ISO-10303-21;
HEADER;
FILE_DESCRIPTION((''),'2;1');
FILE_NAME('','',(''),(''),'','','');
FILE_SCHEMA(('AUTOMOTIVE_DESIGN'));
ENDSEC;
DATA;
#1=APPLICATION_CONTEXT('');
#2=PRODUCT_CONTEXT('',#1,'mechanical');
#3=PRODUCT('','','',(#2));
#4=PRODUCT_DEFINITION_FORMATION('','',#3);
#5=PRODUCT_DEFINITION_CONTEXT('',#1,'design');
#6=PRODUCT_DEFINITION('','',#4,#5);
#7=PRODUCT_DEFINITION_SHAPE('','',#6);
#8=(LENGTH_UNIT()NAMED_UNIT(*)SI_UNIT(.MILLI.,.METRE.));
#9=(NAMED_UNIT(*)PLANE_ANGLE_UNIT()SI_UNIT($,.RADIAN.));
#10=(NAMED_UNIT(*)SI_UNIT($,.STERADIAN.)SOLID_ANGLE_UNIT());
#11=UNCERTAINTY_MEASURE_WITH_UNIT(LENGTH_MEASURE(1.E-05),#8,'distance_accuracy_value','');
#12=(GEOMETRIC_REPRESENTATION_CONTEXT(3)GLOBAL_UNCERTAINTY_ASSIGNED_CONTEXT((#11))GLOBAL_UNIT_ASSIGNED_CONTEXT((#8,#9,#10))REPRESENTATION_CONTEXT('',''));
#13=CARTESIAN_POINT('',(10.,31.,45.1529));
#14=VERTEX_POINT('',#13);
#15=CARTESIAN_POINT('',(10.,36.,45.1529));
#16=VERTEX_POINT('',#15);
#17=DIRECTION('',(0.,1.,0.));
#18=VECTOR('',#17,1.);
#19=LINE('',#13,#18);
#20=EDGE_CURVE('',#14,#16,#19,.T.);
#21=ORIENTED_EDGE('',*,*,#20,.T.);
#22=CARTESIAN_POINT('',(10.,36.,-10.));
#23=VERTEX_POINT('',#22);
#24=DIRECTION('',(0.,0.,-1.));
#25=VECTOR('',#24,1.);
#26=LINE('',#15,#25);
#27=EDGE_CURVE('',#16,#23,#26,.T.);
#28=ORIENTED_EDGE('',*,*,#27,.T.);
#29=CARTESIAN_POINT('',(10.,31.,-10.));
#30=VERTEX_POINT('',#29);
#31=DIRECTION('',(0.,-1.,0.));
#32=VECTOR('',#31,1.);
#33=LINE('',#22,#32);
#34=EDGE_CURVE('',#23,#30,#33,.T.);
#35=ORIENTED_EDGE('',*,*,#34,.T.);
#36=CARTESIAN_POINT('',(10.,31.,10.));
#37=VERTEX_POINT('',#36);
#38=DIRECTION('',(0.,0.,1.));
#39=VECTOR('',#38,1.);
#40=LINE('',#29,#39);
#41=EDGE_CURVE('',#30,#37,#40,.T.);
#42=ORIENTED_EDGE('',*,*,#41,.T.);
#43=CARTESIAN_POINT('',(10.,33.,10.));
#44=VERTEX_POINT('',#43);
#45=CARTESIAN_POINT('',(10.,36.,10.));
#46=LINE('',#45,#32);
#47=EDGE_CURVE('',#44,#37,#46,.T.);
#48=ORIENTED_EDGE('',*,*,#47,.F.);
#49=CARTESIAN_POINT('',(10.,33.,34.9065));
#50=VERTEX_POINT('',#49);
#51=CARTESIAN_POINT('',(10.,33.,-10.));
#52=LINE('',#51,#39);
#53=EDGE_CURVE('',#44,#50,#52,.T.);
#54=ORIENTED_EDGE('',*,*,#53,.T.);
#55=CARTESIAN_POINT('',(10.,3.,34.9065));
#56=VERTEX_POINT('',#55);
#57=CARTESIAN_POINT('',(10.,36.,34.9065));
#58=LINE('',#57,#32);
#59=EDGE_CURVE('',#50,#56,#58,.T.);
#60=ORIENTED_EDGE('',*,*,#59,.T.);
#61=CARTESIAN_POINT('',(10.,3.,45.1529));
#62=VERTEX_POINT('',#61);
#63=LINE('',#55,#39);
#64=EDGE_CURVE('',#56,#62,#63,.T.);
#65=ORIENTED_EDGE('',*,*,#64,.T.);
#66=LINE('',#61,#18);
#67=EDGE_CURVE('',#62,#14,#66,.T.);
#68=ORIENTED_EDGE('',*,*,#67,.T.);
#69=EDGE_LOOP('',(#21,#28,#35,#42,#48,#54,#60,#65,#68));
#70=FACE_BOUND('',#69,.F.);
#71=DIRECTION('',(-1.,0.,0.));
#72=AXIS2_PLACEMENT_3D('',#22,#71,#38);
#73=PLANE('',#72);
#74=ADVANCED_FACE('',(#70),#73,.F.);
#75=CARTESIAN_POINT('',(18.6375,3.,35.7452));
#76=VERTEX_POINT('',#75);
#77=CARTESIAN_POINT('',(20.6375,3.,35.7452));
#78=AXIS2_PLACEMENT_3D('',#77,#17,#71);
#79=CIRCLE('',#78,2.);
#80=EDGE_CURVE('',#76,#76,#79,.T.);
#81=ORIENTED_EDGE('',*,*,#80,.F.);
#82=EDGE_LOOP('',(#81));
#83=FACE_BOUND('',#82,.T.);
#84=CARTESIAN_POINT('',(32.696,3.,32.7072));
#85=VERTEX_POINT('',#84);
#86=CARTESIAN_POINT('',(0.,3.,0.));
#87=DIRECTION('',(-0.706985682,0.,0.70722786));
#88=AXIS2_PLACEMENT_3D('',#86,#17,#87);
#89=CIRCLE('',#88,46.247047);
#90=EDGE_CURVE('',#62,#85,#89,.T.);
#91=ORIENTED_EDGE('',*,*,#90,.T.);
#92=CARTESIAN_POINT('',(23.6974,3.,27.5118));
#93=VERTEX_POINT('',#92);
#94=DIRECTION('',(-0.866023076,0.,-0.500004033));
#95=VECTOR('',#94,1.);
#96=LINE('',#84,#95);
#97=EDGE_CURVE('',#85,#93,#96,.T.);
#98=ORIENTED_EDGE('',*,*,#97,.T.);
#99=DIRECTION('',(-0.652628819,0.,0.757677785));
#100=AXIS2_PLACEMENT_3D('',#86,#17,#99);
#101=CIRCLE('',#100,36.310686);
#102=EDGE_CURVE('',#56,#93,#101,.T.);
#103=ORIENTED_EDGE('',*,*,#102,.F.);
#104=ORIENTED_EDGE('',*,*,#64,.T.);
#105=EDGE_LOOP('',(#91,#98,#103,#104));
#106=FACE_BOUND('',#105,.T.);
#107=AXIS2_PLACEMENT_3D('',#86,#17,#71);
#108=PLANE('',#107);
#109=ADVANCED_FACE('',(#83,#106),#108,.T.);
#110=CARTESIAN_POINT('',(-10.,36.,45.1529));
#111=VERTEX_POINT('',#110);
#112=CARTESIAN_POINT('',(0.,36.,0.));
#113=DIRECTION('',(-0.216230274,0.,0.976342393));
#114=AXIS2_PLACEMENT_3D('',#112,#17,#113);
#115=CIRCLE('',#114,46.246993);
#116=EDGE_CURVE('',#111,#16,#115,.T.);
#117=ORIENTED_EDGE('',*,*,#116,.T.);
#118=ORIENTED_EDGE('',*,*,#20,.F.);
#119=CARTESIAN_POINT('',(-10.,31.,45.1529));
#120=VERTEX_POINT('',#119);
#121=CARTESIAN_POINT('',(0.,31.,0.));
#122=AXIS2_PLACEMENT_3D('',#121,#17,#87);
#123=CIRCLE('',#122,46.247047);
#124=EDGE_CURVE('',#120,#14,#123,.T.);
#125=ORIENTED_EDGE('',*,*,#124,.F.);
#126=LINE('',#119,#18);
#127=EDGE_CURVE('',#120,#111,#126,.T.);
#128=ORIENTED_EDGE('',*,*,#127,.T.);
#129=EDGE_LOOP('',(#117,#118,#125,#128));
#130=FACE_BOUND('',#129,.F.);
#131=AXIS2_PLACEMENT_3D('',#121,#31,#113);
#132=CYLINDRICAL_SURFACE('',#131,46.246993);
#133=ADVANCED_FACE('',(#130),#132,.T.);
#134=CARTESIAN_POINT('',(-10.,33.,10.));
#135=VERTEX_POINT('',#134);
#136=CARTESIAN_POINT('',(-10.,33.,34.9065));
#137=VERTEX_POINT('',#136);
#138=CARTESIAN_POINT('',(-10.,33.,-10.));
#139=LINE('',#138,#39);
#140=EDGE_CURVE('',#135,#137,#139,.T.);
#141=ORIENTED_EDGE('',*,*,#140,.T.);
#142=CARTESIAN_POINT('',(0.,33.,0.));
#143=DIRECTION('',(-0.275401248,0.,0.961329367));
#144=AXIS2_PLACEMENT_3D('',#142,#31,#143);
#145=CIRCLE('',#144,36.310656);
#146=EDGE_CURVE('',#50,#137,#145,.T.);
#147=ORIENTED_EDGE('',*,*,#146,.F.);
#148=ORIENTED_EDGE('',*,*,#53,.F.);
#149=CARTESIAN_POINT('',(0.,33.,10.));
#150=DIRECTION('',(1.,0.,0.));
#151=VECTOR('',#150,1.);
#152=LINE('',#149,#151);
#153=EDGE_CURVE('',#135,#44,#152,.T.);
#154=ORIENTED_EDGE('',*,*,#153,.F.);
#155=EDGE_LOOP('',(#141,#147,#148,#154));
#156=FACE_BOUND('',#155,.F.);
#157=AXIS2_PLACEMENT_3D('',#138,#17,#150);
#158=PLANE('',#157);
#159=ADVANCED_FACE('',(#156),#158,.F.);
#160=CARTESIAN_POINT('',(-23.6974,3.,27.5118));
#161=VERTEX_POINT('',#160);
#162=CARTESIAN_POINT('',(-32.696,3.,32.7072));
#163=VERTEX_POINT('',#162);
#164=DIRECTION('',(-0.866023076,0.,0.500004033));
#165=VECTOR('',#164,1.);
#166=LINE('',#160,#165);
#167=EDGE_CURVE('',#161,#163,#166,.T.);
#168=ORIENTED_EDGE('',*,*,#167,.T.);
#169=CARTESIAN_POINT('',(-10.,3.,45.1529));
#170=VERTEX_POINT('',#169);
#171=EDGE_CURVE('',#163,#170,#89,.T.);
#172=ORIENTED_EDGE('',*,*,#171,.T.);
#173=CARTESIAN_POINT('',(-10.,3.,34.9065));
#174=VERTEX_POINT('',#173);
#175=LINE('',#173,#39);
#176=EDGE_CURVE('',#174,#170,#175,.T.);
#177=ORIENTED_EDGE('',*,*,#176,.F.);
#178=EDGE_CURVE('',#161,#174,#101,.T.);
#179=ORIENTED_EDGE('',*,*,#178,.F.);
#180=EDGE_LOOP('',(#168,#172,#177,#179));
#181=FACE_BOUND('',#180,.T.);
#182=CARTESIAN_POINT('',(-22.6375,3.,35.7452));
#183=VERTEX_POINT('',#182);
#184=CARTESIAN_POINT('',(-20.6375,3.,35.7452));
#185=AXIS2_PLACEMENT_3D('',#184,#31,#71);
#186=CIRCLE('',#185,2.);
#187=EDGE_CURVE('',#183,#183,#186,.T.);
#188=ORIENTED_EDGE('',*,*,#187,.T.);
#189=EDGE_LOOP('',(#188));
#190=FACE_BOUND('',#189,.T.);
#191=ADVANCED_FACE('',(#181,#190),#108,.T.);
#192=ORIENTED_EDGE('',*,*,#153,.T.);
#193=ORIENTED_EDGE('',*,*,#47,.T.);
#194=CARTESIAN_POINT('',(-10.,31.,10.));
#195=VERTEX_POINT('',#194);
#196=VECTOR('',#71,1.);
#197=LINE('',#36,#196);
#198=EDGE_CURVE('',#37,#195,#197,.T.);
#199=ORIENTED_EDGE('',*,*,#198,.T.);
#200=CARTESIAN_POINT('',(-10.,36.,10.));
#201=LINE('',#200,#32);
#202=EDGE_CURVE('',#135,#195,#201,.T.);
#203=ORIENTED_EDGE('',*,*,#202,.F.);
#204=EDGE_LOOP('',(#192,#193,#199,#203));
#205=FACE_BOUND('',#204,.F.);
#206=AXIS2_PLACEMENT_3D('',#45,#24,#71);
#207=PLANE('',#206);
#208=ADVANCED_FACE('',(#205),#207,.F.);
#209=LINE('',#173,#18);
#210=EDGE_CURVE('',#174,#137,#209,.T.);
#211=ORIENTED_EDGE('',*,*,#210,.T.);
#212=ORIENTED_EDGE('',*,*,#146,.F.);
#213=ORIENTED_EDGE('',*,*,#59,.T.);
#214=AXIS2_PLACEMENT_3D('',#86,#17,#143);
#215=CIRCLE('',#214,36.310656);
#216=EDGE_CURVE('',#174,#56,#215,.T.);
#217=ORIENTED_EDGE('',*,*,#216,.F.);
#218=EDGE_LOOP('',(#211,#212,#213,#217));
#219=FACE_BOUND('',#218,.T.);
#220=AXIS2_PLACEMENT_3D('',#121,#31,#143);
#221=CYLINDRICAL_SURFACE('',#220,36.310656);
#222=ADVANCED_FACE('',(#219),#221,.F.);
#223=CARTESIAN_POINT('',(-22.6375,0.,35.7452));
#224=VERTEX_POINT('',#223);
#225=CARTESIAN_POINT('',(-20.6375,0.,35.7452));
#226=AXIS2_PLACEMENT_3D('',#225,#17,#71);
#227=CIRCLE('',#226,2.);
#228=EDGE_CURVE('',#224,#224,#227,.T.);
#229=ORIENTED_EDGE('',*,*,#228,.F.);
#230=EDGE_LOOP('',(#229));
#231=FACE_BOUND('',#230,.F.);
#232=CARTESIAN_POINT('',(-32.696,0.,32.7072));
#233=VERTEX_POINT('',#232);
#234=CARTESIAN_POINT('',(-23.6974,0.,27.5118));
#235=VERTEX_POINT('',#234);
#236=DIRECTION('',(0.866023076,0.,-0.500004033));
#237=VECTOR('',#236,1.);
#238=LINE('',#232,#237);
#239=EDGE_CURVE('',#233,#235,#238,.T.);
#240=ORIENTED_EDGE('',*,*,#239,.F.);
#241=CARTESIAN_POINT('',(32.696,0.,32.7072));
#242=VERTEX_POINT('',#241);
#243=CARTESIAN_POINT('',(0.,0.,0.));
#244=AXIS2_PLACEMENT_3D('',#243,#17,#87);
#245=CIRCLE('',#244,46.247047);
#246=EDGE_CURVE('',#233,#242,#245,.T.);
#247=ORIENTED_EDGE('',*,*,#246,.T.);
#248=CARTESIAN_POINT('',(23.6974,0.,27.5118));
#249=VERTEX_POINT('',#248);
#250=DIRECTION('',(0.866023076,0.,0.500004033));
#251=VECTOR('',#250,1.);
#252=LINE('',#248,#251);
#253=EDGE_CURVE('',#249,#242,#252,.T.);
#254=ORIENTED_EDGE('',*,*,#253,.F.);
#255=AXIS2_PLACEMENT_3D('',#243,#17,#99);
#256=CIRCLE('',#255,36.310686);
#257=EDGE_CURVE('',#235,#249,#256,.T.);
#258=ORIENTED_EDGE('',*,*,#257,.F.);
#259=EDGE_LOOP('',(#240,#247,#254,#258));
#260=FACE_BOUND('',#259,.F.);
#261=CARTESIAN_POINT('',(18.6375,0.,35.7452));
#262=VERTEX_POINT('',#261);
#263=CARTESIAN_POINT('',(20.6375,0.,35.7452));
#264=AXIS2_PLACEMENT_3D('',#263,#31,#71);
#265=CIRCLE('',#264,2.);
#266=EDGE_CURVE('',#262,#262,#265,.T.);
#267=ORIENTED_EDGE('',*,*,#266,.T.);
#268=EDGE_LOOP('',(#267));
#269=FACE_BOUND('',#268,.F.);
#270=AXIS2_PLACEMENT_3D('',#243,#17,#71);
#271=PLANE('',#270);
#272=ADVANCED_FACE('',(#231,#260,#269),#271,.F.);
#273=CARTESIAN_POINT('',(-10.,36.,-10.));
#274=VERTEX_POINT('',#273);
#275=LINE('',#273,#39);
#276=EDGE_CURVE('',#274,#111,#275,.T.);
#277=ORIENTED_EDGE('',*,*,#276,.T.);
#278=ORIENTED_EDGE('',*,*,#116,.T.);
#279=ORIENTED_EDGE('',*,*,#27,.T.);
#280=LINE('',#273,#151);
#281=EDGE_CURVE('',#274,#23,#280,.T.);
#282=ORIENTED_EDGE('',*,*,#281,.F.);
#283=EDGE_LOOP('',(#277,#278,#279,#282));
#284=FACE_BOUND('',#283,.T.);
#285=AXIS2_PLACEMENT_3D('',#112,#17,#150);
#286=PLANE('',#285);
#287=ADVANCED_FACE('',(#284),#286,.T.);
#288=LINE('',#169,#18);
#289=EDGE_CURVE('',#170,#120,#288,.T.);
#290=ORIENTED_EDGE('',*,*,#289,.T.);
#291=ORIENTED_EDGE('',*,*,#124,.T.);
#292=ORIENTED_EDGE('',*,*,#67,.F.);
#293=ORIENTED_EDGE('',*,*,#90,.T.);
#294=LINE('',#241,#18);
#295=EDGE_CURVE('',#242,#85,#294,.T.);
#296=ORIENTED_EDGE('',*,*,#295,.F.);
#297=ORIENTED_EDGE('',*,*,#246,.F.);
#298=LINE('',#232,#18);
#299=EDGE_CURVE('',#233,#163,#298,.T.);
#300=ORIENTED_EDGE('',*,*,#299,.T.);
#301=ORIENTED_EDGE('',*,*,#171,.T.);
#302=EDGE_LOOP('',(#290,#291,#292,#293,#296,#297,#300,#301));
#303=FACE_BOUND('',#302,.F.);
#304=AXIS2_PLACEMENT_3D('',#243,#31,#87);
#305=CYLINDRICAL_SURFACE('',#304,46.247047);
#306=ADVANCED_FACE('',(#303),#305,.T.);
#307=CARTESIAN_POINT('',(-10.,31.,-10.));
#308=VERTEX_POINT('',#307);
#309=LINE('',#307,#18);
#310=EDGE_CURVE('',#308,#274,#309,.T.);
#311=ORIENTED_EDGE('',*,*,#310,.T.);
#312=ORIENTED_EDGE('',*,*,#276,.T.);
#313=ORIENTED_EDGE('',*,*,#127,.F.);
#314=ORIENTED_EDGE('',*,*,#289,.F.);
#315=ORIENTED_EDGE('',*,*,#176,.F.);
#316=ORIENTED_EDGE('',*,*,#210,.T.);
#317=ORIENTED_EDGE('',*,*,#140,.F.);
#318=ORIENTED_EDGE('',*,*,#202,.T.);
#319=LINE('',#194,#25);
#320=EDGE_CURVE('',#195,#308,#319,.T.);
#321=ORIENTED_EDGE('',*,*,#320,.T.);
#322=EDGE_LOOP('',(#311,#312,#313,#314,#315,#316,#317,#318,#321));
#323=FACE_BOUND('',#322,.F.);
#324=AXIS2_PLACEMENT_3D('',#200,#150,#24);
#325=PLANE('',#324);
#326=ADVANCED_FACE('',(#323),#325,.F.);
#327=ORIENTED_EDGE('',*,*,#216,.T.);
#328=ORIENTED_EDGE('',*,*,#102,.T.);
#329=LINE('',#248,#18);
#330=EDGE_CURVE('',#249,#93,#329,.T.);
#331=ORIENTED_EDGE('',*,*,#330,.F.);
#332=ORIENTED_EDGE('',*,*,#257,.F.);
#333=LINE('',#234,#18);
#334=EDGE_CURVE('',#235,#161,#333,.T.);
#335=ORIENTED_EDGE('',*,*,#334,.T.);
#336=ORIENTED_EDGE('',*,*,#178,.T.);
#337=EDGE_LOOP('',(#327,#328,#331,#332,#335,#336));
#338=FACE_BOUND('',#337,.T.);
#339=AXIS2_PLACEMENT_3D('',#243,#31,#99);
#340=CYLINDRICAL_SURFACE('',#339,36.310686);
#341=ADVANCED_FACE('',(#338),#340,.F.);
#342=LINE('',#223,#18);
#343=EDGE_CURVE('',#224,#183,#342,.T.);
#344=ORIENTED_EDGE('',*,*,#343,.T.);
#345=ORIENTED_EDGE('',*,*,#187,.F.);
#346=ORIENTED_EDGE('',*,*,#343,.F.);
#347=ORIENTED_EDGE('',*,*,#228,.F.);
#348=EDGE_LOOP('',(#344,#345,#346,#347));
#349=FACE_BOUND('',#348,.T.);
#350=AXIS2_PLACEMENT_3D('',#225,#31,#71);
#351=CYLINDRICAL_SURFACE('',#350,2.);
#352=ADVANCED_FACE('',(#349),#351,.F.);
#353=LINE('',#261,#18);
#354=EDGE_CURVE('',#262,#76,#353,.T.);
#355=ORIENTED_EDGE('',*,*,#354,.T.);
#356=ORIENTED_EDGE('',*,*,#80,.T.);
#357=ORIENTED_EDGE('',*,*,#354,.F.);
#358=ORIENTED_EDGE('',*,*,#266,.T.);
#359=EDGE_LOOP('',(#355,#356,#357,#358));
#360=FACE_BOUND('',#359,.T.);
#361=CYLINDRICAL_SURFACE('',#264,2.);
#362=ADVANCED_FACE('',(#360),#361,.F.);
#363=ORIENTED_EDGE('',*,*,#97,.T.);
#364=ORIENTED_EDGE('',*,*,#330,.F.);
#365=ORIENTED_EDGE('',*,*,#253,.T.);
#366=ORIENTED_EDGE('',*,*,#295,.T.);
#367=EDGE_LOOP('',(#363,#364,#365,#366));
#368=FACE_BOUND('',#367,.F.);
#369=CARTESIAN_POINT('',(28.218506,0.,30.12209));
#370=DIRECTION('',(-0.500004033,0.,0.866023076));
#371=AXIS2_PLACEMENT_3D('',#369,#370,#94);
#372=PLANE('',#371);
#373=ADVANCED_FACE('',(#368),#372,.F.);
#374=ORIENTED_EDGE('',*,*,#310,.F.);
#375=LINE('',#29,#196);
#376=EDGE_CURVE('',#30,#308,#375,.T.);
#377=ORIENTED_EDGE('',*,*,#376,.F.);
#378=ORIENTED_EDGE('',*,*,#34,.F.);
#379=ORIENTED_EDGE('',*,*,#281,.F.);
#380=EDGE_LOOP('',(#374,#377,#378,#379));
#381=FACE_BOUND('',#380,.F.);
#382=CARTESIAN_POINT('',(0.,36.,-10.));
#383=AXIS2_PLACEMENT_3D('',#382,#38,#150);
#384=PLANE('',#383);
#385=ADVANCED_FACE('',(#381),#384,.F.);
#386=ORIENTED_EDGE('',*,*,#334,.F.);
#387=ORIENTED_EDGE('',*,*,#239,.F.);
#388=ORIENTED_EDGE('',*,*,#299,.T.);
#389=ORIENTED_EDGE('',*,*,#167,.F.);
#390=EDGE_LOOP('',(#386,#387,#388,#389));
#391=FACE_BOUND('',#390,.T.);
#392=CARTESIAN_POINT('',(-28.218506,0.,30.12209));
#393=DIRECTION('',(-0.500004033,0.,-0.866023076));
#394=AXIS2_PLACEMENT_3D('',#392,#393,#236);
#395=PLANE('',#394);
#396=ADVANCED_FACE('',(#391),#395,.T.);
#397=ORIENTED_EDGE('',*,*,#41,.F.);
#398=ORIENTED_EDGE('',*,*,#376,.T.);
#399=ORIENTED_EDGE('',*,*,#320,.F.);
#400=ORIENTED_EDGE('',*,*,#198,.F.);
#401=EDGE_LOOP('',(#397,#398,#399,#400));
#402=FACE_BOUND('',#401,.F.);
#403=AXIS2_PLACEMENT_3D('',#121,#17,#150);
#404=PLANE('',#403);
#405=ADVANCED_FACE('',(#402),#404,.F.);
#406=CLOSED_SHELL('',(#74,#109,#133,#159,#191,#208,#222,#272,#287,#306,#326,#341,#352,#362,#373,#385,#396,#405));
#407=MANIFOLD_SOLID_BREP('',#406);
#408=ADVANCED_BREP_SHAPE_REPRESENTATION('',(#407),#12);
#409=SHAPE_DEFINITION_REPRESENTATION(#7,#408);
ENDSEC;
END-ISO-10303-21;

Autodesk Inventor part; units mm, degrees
ref_plane "YZ Plane" through (0, 0, 0) normal (1, 0, 0) x (0, 1, 0)
ref_plane "XZ Plane" through (0, 0, 0) normal (0, 1, 0) x (-1, 0, 0)
ref_plane "XY Plane" through (0, 0, 0) normal (0, 0, 1) x (1, 0, 0)
sketch "Sketch1" plane through (0, 0, 0) normal (0, 1, 0) x (-1, 0, 0)
  circle A0 centre (-20.6375, 35.7452) radius 2
  circle A1 centre (20.6375, 35.7452) radius 2
  line L0 (0, -10) -> (-10, -10)
  line L1 (-10, -10) -> (-10, 10)
  line L2 (-10, 10) -> (10, 10)
  line L3 (10, 10) -> (10, -10)
  line L4 (10, -10) -> (0, -10)
  arc A2 (23.6974, 27.5118) -> (-23.6974, 27.5118) centre (0, 0) ccw
  arc A3 (32.696, 32.7072) -> (-32.696, 32.7072) centre (0, 0) ccw
  line L5 (20.6375, 35.7452) -> (29.2978, 40.7452) construction
  line L6 (32.696, 32.7072) -> (23.6974, 27.5118)
  arc A4 (32.696, 32.7072) -> (-32.696, 32.7072) centre (0, 0) ccw
  line L7 (0, -10) -> (0, 10)
  line L8 (-32.696, 32.7072) -> (-23.6974, 27.5118)
  arc A5 (28.2185, 30.1221) -> (-28.2185, 30.1221) centre (0, 0) ccw
  dimension "d11" = 10
  dimension "d12" = 20
  dimension "d13" = 20
  dimension "d14" = 20
extrude "Extrusion11" add sketch "Sketch1" along normal blind 3 contours A0 A5 A1 L6 A2 L8 | A0 A5 L8 A3 L6 A1
sketch "Sketch6" plane through (0, 3, 0) normal (0, 1, 0) x (1, 0, 0)
  point P0 (0, 0)
sketch "Sketch7" plane through (0, 3, 0) normal (0, 1, 0) x (1, 0, 0)
  arc A0 (-10, -34.9065) -> (10, -34.9065) centre (0, 0) ccw
  arc A1 (-32.696, -32.7072) -> (32.696, -32.7072) centre (0, 0) ccw projected
  arc A2 (-23.6974, -27.5118) -> (23.6974, -27.5118) centre (0, 0) ccw projected
  line L0 (0, 0) -> (-10, 0)
  line L1 (10, -34.9065) -> (10, -45.1529)
  line L2 (-10, -34.9065) -> (-10, -45.1529)
  line L3 (-10, 0) -> (40, 0) construction
  arc A3 (-10, -45.1529) -> (10, -45.1529) centre (0, 0) ccw
extrude "Extrusion12" add sketch "Sketch7" along normal blind 28
sketch "Sketch8" plane through (0, 31, 0) normal (0, 1, 0) x (1, 0, 0)
  arc A0 (-10, -34.9065) -> (10, -34.9065) centre (0, 0) ccw
  arc A1 (-10, -45.1529) -> (10, -45.1529) centre (0, 0) ccw
  line L0 (10, -34.9065) -> (10, -45.1529) projected
  line L1 (10, -34.9065) -> (10, -45.1529)
  arc A2 (-23.6974, -27.5118) -> (23.6974, -27.5118) centre (0, 0) ccw projected
  line L2 (-10, -34.9065) -> (-10, -45.1529)
  arc A3 (-32.696, -32.7072) -> (32.696, -32.7072) centre (0, 0) ccw projected
extrude "Extrusion13" add sketch "Sketch8" along normal blind 5
sketch "Sketch9" plane through (0, 36, 0) normal (0, 1, 0) x (1, 0, 0)
  line L0 (0, 0) -> (0, 10)
  line L1 (0, 10) -> (10, 10)
  line L2 (10, 10) -> (10, -10)
  line L3 (10, -10) -> (-10, -10)
  line L4 (-10, -10) -> (-10, 10)
  line L5 (-10, 10) -> (0, 10)
  dimension "d63" = 10
  dimension "d64" = 10
  dimension "d65" = 20
  dimension "d66" = 20
  dimension "d67" = 20
extrude "Extrusion14" add sketch "Sketch9" against normal blind 5
sketch "Sketch10" plane through (10, 36, -10) normal (0, 0, -1) x (-1, 0, 0)
  line L0 (0, 0) -> (20, 0) projected
  line L1 (20, 0) -> (20, -3)
  line L2 (20, -33) -> (20, 0) projected
  line L3 (20, -3) -> (0, -3)
  line L4 (20, -5) -> (0, -5) projected
  line L5 (0, -33) -> (0, 0) projected
  line L6 (0, -3) -> (0, 0)
  line L7 (0, 0) -> (20, 0)
  point P0 (10, -36)
  dimension "d70" = 3
  dimension "d71" = 20
  dimension "d72" = 90
extrude "Extrusion15" add sketch "Sketch10" against normal blind 50 contours L0 L1 L3 L5
properties part number "Corona_Cam_Setup_Tool._v2ipt"
